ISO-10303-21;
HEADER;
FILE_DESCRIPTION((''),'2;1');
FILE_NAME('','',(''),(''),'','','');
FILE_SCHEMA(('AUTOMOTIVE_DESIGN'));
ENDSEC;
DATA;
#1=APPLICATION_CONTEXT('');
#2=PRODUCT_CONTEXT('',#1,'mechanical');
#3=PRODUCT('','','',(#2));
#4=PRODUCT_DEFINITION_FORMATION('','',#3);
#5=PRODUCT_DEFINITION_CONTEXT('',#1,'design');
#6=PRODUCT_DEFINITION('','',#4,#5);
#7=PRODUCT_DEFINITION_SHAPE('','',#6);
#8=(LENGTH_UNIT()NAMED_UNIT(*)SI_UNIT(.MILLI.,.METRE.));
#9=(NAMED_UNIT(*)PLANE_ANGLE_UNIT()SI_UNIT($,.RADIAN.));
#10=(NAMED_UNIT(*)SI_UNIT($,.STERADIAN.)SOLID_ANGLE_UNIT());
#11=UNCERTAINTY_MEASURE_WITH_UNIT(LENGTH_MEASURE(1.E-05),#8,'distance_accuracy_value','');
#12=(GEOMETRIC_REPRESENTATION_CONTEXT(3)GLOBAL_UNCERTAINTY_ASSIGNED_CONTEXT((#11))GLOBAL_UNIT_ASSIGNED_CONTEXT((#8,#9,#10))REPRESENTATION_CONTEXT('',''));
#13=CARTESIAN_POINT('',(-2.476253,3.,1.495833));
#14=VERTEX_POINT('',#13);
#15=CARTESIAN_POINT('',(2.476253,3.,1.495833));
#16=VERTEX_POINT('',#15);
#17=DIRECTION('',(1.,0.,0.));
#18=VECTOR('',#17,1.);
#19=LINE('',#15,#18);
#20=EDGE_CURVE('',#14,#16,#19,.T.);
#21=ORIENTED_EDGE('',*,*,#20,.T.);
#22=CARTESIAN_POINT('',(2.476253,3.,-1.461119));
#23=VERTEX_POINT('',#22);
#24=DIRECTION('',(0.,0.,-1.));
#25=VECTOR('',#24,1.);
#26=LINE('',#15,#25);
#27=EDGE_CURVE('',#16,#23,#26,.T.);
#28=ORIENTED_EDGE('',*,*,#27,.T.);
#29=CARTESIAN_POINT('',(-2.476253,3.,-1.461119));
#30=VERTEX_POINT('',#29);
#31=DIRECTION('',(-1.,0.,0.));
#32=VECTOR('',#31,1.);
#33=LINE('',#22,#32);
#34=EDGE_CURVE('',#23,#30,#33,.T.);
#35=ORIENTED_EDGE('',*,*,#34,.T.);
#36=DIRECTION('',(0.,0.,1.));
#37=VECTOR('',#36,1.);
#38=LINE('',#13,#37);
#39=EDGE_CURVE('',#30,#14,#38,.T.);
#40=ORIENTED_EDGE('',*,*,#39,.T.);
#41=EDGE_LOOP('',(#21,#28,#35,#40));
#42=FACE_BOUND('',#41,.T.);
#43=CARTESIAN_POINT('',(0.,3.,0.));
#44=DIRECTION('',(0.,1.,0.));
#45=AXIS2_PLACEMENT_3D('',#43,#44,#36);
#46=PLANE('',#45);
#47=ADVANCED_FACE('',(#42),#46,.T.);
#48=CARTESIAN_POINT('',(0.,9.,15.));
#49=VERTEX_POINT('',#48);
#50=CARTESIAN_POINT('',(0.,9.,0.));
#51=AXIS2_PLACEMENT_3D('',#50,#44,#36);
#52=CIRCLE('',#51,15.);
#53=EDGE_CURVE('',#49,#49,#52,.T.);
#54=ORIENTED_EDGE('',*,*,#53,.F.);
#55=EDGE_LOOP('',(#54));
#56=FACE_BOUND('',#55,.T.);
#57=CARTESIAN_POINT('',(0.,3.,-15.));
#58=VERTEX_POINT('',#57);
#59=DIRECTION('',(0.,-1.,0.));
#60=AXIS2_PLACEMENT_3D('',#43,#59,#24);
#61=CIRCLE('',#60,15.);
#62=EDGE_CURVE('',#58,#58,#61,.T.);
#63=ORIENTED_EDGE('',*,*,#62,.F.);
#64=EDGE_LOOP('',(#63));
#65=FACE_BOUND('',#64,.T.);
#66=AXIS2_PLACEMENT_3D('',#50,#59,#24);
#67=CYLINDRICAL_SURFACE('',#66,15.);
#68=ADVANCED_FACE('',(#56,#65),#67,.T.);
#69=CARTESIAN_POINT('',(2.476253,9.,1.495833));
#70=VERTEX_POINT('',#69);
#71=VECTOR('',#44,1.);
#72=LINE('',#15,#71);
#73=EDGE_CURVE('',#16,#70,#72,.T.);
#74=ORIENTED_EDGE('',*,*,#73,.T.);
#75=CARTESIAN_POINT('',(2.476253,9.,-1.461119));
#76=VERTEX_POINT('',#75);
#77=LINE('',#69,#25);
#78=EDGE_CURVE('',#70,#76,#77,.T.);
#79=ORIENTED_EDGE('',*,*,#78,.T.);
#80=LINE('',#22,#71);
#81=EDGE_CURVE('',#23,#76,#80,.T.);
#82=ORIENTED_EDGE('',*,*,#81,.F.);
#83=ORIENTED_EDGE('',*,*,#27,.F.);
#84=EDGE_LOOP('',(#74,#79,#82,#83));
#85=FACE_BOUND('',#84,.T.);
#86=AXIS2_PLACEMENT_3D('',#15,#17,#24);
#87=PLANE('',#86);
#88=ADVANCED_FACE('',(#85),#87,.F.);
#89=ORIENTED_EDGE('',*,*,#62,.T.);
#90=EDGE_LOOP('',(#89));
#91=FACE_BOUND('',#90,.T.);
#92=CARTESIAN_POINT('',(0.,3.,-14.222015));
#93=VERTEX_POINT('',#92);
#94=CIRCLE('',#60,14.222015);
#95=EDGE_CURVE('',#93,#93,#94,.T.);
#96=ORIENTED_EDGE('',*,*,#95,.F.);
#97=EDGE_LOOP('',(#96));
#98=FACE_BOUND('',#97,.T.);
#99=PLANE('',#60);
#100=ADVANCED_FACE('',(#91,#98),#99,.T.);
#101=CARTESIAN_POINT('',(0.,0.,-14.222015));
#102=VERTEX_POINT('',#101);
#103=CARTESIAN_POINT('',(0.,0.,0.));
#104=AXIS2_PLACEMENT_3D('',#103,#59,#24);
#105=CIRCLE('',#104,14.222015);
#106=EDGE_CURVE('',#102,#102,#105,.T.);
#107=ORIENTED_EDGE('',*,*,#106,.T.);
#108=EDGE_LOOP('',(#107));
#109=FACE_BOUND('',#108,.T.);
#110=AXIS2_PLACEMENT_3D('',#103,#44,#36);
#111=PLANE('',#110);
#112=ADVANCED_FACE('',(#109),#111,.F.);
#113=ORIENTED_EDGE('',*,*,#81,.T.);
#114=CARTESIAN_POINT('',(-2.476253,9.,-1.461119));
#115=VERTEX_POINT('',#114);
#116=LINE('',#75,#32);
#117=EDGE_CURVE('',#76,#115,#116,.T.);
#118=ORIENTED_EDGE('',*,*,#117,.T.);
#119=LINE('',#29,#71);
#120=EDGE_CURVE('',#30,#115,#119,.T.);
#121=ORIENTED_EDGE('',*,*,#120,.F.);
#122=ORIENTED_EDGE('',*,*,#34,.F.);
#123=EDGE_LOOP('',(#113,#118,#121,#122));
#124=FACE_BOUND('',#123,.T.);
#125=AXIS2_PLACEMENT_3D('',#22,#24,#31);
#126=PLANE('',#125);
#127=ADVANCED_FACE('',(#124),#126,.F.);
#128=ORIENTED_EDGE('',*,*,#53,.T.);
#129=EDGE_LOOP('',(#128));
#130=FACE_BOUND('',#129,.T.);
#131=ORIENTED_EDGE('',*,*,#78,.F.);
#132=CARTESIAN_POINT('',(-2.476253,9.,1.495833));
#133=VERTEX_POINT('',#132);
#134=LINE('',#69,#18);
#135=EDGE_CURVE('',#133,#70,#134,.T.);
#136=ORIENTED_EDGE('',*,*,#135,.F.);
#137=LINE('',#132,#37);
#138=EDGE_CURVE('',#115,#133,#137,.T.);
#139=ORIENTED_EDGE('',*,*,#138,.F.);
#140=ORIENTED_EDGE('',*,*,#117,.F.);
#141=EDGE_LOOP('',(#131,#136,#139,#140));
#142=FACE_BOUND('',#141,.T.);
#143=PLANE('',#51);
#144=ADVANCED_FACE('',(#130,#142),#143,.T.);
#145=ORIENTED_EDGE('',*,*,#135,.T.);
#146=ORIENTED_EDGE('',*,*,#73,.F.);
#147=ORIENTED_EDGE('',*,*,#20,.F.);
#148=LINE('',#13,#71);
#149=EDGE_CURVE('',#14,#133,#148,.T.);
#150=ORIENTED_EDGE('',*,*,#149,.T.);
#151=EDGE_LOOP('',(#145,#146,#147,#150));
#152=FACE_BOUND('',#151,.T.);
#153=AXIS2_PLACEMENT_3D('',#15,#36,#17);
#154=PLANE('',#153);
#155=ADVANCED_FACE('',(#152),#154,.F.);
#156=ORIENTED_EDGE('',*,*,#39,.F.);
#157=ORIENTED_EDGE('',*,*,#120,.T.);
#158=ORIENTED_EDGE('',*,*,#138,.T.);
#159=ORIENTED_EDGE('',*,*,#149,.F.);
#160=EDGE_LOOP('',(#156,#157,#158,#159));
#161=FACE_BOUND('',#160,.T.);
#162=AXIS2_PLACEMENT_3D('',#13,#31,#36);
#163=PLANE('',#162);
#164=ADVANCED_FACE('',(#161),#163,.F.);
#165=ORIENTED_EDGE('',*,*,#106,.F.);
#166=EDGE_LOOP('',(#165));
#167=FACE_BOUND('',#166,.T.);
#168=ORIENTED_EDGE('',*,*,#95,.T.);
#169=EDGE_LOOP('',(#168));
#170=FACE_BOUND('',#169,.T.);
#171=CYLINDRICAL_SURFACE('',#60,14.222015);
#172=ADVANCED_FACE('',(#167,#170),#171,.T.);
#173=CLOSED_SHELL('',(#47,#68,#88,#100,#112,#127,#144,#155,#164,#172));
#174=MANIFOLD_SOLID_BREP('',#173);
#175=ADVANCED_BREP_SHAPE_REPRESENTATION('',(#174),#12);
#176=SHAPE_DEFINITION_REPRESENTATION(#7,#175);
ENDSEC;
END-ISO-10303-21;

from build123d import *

# Parameters (mm, degrees)
SKETCH1_R           = 15
BOSS_EXTRUDE1_DEPTH = 9
SKETCH6_OUTSIDE_W   = 40.674
SKETCH6_OUTSIDE_H   = 40.674
SKETCH6_OUTSIDE_R   = 14.222015383
CUT_EXTRUDE4_DEPTH  = 3
SKETCH8_W           = 4.952506836
SKETCH8_H           = 2.956951794
CUT_EXTRUDE5_DEPTH  = 6


with BuildPart() as part:
    # Sketch1 → Boss-Extrude1 (new body)
    with BuildSketch(Plane(origin=(0, 0, 0), x_dir=(1, 0, 0), z_dir=(0, 1, 0))):
        Circle(SKETCH1_R)
    extrude(amount=BOSS_EXTRUDE1_DEPTH)

    # Sketch6 outside → Cut-Extrude4 (cut)
    with BuildSketch(Plane.XZ):
        Rectangle(SKETCH6_OUTSIDE_W, SKETCH6_OUTSIDE_H)
        Circle(SKETCH6_OUTSIDE_R, mode=Mode.SUBTRACT)
    extrude(amount=-CUT_EXTRUDE4_DEPTH, mode=Mode.SUBTRACT)

    # Sketch8 → Cut-Extrude5 (cut)
    with BuildSketch(Plane(origin=(0, 9, 0), x_dir=(1, 0, 0), z_dir=(0, 1, 0))):
        with Locations((0, -0.017356659)):
            Rectangle(SKETCH8_W, SKETCH8_H)
    extrude(amount=-CUT_EXTRUDE5_DEPTH, mode=Mode.SUBTRACT)


solid = part.part
